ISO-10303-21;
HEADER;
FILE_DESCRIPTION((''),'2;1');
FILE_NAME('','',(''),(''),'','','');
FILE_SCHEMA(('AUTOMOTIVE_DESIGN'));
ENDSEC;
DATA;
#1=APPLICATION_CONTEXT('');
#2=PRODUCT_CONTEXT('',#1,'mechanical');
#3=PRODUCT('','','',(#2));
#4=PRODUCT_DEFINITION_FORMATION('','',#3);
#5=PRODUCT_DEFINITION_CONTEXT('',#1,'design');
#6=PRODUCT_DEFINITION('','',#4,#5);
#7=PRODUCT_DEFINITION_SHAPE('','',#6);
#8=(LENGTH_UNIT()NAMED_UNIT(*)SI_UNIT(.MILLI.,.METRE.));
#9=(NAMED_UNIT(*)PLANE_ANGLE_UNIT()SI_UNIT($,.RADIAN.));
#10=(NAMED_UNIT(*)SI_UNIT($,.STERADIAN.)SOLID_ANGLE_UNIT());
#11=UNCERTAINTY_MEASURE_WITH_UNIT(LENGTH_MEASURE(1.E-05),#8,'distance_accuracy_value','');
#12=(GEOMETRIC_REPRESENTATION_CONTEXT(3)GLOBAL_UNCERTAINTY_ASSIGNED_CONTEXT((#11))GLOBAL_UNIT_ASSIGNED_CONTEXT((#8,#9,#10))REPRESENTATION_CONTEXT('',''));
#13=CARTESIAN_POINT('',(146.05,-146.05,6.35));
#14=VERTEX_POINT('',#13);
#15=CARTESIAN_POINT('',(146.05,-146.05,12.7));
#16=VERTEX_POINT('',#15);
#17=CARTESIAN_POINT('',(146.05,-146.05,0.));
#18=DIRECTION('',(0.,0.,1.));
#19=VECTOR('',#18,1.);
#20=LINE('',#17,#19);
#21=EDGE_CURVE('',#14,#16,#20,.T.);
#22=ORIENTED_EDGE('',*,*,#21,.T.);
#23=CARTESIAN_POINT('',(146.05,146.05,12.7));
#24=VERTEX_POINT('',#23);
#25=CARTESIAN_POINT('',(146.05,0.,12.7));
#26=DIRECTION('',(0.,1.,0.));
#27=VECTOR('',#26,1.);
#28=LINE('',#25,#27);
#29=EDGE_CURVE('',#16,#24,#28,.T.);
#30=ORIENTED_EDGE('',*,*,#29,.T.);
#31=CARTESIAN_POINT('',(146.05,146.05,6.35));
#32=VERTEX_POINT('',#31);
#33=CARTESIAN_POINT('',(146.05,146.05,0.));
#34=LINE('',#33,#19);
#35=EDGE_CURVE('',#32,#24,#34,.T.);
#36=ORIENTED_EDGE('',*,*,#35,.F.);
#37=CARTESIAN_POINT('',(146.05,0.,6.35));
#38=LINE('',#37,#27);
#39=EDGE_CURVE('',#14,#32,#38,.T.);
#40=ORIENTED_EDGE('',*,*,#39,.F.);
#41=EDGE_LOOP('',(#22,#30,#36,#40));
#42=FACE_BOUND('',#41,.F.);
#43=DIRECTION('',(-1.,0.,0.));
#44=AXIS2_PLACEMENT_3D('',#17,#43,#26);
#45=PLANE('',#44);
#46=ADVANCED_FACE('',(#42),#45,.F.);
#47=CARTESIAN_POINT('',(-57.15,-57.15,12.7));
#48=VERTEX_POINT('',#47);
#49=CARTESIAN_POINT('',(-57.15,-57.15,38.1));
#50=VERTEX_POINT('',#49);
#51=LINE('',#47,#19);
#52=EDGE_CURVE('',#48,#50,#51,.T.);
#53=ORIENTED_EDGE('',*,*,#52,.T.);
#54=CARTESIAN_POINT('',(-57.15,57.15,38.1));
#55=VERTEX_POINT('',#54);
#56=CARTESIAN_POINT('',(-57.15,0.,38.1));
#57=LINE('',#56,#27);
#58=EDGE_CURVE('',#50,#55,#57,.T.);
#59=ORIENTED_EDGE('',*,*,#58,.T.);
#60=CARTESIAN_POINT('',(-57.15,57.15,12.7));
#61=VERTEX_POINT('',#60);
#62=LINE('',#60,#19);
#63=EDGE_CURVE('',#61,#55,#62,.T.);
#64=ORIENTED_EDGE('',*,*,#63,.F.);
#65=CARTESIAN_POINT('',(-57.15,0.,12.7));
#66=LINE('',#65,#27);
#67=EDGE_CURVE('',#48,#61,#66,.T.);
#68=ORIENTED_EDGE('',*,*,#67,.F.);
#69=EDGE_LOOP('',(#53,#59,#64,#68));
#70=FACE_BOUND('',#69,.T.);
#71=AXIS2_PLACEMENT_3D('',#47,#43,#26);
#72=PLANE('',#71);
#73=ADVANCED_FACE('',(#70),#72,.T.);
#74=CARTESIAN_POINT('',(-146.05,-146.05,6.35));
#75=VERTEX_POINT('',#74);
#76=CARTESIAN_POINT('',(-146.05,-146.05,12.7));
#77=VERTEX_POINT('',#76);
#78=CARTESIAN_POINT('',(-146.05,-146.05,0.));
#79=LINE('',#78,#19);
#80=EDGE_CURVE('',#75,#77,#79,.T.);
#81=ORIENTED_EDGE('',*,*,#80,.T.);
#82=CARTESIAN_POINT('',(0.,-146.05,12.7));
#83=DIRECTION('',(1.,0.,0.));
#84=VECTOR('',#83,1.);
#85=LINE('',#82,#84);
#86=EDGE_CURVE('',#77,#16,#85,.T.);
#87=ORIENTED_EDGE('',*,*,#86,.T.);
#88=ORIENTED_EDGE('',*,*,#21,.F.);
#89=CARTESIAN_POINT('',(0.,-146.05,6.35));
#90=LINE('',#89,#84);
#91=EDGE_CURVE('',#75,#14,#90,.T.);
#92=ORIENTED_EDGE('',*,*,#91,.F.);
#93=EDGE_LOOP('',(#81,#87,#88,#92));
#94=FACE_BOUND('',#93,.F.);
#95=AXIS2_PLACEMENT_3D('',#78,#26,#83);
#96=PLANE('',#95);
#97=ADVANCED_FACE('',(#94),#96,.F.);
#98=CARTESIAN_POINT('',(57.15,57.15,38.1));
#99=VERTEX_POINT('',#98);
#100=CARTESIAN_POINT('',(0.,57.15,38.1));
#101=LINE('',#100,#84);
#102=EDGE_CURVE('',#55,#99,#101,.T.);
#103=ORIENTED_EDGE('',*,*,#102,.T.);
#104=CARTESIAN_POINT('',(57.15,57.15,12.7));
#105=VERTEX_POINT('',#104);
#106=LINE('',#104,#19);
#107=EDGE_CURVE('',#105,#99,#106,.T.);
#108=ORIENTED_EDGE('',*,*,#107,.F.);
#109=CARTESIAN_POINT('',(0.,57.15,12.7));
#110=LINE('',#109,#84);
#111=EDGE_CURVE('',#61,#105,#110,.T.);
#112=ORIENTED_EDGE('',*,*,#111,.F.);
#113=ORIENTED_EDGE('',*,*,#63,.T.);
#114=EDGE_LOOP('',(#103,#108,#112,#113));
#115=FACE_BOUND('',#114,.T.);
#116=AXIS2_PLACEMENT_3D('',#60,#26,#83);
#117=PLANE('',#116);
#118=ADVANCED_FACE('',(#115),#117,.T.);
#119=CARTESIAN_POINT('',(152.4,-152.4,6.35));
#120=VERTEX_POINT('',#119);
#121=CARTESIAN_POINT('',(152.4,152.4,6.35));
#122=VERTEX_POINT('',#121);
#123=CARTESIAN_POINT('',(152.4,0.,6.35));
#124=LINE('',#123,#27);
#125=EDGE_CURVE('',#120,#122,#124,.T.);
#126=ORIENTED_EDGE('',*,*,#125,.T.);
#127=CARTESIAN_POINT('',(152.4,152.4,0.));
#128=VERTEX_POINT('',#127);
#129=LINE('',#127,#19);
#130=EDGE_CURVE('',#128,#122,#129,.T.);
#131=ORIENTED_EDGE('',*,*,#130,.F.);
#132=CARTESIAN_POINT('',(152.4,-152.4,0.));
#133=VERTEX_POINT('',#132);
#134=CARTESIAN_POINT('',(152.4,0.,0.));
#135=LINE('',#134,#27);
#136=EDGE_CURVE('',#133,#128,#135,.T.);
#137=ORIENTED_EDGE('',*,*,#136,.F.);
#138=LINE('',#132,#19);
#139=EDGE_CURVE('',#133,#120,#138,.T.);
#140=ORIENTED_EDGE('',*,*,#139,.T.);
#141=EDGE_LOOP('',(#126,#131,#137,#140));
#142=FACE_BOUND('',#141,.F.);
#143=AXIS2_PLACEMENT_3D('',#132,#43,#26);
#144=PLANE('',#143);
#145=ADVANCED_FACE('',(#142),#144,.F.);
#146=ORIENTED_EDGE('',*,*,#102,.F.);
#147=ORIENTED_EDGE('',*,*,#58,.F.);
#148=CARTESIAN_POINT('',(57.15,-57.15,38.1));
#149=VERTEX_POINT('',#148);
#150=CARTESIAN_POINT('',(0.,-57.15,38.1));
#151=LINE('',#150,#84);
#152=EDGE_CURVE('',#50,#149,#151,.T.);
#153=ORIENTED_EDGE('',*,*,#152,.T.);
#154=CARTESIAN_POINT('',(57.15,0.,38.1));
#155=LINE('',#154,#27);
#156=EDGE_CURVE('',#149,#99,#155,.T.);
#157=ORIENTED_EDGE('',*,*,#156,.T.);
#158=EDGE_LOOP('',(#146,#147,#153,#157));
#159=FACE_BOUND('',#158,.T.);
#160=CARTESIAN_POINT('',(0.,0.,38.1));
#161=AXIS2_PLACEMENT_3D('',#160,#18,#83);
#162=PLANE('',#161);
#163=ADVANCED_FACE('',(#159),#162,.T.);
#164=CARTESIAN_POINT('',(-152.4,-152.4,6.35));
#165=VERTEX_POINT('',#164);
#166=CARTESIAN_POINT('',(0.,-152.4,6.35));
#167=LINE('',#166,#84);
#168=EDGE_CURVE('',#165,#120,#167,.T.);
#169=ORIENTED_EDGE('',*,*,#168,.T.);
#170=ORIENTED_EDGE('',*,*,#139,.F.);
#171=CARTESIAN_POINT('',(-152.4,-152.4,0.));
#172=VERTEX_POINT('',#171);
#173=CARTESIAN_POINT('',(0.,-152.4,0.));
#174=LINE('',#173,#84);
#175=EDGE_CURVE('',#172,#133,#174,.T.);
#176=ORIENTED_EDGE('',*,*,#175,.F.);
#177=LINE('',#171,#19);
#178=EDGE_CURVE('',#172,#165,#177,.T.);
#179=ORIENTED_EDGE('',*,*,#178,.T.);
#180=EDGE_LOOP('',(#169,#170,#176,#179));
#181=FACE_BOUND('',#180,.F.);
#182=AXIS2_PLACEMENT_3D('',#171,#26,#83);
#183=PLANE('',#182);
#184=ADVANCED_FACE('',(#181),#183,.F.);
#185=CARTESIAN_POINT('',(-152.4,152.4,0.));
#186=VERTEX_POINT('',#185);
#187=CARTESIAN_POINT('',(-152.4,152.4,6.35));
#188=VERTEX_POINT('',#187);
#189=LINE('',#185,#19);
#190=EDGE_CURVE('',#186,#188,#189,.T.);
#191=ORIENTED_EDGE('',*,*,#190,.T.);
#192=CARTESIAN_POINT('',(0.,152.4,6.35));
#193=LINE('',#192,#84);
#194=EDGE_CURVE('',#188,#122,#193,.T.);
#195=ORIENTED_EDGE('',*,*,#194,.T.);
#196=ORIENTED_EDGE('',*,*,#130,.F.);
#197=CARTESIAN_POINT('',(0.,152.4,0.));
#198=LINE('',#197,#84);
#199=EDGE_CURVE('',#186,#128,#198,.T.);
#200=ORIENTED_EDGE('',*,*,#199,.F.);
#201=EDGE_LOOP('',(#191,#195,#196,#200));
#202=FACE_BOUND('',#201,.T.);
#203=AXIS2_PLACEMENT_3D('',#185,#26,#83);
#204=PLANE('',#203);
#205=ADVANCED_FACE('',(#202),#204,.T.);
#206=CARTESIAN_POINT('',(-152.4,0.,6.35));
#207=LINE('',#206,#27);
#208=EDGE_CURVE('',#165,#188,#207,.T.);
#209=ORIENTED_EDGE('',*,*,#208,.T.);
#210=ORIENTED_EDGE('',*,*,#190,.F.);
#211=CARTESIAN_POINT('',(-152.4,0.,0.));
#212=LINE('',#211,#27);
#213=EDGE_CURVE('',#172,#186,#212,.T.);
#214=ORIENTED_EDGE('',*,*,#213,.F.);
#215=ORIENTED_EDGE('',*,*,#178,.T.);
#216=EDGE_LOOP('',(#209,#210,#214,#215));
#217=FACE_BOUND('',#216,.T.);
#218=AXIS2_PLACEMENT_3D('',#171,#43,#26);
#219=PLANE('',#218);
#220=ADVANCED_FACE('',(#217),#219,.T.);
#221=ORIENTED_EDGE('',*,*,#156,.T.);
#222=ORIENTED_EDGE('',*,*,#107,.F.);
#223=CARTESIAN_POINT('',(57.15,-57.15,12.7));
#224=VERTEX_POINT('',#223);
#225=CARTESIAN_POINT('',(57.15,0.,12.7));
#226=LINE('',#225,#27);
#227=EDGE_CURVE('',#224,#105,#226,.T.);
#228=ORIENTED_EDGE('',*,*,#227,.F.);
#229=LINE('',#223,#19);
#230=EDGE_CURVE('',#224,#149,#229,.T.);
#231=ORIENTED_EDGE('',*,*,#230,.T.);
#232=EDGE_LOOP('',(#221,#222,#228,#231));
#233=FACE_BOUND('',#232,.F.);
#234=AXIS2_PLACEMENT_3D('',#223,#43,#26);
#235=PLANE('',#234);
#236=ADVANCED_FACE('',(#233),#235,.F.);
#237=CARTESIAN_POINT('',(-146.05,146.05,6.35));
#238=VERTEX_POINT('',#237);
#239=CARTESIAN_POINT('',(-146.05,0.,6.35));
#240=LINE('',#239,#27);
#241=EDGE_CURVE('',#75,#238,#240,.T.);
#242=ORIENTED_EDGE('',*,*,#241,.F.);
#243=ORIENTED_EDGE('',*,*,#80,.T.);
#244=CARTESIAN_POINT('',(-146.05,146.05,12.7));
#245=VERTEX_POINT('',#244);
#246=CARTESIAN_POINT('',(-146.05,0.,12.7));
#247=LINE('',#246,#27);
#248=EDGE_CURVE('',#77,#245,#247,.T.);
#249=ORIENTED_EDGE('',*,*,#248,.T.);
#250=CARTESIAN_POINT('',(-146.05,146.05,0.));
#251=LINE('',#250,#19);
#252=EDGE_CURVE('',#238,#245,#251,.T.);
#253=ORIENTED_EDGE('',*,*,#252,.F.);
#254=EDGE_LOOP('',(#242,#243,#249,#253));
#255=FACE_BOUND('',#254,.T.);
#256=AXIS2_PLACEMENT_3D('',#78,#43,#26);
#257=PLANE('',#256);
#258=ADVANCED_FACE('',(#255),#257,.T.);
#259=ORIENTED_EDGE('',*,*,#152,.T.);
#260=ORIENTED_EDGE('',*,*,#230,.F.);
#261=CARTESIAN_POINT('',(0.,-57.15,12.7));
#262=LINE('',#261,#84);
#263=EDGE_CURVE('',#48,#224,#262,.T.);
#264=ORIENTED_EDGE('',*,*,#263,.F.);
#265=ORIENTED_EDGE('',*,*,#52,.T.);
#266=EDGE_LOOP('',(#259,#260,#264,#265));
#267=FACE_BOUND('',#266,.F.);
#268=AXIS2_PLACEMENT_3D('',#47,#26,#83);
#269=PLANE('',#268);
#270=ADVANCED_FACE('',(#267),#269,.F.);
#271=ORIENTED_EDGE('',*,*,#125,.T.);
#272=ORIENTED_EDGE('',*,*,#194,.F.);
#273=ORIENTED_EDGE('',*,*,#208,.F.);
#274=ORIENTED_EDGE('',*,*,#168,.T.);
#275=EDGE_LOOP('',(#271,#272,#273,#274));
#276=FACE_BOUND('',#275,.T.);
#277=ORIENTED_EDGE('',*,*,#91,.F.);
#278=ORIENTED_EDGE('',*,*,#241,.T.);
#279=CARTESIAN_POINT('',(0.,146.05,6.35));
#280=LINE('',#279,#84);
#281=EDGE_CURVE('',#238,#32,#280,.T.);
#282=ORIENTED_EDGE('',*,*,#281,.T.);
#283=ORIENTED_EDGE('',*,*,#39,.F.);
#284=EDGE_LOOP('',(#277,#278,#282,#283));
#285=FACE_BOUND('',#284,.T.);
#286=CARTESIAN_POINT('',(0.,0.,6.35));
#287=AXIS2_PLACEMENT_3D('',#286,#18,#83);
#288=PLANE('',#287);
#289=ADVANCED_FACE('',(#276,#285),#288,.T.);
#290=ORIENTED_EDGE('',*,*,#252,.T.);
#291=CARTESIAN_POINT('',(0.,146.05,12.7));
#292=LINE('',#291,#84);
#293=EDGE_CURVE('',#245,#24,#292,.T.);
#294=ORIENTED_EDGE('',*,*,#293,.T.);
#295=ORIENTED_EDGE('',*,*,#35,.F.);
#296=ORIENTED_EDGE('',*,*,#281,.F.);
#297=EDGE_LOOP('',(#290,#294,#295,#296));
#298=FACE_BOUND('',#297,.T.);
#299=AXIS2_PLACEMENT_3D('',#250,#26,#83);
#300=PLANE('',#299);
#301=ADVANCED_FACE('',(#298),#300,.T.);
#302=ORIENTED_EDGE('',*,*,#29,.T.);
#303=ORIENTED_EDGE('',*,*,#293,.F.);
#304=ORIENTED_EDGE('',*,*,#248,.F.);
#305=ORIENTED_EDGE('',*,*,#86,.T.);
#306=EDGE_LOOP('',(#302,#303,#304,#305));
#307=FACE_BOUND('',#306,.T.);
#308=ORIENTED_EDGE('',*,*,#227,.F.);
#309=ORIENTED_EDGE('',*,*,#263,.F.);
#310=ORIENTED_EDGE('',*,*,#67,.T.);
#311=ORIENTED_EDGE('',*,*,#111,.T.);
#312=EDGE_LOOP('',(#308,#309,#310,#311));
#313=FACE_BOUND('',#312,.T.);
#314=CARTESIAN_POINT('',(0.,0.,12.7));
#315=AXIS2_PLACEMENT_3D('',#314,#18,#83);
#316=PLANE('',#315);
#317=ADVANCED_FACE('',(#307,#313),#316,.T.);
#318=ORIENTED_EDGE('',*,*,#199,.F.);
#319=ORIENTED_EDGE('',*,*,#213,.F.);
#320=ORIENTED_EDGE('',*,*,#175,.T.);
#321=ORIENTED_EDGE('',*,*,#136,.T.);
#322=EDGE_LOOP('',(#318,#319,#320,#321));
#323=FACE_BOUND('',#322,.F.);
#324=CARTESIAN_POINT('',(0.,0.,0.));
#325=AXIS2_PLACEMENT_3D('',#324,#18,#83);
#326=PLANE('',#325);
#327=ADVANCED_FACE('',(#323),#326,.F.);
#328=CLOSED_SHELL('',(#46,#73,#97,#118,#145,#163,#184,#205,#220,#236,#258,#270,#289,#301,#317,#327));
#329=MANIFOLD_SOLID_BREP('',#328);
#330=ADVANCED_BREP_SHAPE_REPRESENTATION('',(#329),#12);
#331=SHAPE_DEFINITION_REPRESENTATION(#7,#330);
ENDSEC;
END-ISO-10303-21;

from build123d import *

# Parameters (mm, degrees)
F0_W     = 304.8
F0_H     = 304.8
F0_W_2   = 292.1
F0_H_2   = 292.1
F1_DEPTH = 6.35
F2_DEPTH = 12.7
F3_W     = 114.3
F3_H     = 114.3
F4_DEPTH = 25.4


with BuildPart() as f1:
    # F0 (on Top) → F1 (new body)
    with BuildSketch(Plane.XY):
        Rectangle(F0_W, F0_H)
        Rectangle(F0_W_2, F0_H_2, mode=Mode.SUBTRACT)
    extrude(amount=F1_DEPTH)

    # F0 (on Top) → F2 (join)
    with BuildSketch(Plane.XY):
        Rectangle(F0_W_2, F0_H_2)
    extrude(amount=F2_DEPTH)

    # F3 (on face) → F4 (join)
    with BuildSketch(Plane.XY.offset(12.7)):
        Rectangle(F3_W, F3_H)
    extrude(amount=F4_DEPTH)


solid = f1.part
